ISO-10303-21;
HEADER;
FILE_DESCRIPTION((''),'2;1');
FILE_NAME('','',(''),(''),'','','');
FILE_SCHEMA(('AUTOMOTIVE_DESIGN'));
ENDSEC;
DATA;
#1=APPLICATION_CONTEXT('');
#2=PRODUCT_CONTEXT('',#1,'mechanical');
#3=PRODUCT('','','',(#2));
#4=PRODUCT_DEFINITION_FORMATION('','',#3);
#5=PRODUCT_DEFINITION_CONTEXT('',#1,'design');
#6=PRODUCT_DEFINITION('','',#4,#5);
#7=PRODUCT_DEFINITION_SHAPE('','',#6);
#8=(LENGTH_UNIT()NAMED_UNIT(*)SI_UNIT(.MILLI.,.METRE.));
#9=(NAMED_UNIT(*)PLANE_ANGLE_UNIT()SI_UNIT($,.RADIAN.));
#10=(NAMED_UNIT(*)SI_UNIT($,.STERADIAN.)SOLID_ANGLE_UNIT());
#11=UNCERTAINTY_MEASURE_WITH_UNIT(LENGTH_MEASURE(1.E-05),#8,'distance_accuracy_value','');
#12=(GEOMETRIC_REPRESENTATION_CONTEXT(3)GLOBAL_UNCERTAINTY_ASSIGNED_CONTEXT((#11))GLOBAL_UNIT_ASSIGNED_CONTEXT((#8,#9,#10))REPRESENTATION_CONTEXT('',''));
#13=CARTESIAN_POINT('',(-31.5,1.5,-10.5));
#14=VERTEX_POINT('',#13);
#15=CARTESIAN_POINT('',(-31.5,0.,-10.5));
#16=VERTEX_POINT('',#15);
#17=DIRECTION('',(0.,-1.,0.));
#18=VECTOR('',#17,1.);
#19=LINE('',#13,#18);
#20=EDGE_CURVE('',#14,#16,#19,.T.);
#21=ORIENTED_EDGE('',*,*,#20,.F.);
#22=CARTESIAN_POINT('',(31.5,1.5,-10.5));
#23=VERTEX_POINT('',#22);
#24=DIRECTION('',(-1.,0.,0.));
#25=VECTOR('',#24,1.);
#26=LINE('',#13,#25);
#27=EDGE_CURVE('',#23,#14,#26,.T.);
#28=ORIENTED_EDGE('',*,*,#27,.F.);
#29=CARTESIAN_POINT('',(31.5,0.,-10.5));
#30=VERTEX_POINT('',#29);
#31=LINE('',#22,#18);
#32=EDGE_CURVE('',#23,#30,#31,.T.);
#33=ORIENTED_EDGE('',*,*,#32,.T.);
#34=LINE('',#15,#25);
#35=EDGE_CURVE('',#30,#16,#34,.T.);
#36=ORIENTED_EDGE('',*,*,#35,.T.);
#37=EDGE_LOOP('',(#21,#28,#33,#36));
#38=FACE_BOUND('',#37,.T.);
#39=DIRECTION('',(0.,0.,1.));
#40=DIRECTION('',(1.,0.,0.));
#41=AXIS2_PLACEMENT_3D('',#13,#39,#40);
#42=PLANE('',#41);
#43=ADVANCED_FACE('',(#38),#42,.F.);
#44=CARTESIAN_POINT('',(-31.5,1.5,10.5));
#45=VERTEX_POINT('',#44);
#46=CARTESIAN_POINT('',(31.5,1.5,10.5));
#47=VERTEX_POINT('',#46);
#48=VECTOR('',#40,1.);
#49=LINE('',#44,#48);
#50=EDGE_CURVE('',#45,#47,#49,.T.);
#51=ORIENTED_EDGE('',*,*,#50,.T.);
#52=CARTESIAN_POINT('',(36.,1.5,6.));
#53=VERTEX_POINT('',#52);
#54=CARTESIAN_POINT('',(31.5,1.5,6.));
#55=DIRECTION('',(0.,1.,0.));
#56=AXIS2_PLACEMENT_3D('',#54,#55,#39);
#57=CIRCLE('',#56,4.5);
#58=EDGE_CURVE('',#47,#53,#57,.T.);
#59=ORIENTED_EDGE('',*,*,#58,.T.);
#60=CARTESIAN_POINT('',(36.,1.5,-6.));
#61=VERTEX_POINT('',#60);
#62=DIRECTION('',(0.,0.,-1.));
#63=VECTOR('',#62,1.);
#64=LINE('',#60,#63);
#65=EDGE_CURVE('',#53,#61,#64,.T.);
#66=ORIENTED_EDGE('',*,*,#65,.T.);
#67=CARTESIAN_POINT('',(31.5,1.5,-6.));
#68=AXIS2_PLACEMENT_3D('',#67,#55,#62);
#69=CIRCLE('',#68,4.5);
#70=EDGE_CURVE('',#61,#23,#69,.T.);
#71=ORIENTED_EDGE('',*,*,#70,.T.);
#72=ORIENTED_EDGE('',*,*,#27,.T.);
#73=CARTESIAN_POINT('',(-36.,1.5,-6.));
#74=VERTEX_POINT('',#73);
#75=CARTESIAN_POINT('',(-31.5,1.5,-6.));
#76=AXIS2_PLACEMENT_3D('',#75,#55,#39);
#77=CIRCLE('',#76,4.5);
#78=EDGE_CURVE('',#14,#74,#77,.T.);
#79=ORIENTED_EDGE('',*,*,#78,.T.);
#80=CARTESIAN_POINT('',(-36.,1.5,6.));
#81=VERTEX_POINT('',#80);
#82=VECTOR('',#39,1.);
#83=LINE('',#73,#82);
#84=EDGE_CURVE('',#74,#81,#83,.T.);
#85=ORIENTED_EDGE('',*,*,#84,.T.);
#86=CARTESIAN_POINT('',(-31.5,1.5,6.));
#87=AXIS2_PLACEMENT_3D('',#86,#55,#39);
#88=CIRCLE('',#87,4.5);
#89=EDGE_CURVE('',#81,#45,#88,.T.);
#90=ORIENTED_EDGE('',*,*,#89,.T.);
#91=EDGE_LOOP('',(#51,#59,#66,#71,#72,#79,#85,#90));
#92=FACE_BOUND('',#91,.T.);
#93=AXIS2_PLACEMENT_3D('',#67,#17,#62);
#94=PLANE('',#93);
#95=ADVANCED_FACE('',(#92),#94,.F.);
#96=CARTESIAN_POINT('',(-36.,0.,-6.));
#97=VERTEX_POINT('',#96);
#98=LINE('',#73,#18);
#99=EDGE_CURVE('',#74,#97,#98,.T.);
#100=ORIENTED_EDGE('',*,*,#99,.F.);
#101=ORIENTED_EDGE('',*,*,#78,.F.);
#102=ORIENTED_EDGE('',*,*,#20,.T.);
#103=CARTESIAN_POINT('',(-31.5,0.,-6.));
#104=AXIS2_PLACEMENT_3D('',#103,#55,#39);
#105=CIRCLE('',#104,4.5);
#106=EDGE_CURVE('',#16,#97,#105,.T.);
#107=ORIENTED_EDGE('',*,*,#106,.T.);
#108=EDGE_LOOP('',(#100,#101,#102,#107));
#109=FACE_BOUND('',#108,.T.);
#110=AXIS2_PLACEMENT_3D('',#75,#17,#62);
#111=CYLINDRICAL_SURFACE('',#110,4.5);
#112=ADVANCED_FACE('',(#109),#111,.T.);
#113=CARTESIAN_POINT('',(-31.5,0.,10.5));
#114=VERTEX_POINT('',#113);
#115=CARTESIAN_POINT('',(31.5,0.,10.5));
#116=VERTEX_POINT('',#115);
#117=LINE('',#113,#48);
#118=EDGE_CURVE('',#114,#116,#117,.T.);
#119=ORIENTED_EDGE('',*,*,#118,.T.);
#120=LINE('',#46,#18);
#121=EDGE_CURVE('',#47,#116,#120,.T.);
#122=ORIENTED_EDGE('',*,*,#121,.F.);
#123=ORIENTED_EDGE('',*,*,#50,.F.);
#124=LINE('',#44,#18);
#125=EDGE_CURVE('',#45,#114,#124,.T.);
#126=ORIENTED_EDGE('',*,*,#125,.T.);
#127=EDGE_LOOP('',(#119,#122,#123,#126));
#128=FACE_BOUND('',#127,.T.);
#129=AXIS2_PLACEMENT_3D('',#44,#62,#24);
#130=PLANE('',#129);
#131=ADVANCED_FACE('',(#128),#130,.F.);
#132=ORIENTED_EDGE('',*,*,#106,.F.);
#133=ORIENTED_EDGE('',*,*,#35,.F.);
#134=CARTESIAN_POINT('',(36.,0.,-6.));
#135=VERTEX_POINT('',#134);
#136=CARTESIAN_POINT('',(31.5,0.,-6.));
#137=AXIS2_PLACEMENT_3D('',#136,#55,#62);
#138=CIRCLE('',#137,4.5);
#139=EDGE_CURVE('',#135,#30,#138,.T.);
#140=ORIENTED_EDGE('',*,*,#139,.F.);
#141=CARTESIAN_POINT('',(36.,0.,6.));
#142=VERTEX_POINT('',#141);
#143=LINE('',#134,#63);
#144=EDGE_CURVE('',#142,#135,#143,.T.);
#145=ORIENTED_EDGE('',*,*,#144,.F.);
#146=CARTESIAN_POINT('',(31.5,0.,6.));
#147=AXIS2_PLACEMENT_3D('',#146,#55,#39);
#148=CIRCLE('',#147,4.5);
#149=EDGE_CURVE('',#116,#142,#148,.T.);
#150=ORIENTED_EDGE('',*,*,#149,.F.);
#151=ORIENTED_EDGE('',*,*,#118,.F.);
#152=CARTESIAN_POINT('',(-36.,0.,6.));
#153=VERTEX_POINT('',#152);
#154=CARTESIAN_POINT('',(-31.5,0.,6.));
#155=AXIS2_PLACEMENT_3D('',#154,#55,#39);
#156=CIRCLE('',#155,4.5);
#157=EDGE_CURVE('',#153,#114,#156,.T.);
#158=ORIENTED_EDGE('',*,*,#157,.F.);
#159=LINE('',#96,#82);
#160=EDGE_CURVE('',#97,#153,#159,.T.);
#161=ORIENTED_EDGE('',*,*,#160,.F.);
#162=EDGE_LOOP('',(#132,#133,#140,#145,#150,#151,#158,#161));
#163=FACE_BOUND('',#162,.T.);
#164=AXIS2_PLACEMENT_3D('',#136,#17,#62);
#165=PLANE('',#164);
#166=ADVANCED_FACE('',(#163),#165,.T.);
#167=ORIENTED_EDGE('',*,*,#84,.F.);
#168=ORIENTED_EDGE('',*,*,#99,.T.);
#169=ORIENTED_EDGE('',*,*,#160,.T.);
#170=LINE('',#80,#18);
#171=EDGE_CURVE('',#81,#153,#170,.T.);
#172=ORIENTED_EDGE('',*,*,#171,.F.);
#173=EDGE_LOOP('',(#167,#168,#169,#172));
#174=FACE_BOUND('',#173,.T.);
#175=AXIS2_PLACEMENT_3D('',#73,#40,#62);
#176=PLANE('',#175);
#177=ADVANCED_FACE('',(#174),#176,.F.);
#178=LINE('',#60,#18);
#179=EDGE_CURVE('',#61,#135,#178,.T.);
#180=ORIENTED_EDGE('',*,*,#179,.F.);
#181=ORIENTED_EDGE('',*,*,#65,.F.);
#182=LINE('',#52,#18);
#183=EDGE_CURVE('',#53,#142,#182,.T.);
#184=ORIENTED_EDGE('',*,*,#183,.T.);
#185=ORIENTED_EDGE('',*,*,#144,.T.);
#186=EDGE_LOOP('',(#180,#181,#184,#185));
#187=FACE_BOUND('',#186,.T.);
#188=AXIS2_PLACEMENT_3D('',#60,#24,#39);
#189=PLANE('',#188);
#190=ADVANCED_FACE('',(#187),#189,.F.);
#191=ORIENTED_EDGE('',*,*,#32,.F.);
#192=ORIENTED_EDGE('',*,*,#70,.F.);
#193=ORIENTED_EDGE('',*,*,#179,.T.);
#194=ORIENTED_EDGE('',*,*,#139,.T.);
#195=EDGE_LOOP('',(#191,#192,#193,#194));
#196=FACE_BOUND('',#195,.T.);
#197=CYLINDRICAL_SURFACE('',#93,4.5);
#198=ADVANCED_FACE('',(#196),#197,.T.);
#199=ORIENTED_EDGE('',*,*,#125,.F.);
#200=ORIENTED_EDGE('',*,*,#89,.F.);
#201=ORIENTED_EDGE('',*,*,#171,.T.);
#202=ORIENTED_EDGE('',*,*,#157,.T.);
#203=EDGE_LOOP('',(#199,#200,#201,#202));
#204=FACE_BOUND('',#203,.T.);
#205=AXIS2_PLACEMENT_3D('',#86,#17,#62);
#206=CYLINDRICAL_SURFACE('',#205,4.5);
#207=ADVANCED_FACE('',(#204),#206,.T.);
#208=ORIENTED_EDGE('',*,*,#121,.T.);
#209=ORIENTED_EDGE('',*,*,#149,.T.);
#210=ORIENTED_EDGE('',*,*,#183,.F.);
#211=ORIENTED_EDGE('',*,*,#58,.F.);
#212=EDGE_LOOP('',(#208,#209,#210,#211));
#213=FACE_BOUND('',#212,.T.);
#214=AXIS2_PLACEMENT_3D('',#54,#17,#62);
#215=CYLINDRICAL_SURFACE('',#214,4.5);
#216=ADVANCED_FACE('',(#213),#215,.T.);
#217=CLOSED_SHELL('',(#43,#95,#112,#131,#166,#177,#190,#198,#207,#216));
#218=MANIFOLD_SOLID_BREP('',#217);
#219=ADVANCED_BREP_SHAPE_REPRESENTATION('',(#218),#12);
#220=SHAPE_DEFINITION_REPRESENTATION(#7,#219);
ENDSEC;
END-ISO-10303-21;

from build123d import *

# Parameters (mm, degrees)
EXTRUDE_1_DEPTH = 1.5


with BuildPart() as part:
    # 草图1 → 凸台-拉伸1 (new body)
    with BuildSketch(Plane(origin=(0, 0, 0), x_dir=(1, 0, 0), z_dir=(0, 1, 0))):
        with BuildLine():
            Line((-31.5, 10.5), (31.5, 10.5))
            ThreePointArc((31.5, 10.5), (34.681980515, 9.181980515), (36, 6))
            Line((36, 6), (36, -6))
            ThreePointArc((36, -6), (34.681980515, -9.181980515), (31.5, -10.5))
            Line((31.5, -10.5), (-31.5, -10.5))
            ThreePointArc((-31.5, -10.5), (-34.681980515, -9.181980515), (-36, -6))
            Line((-36, -6), (-36, 6))
            ThreePointArc((-36, 6), (-34.681980515, 9.181980515), (-31.5, 10.5))
        make_face()
    extrude(amount=EXTRUDE_1_DEPTH)


solid = part.part
